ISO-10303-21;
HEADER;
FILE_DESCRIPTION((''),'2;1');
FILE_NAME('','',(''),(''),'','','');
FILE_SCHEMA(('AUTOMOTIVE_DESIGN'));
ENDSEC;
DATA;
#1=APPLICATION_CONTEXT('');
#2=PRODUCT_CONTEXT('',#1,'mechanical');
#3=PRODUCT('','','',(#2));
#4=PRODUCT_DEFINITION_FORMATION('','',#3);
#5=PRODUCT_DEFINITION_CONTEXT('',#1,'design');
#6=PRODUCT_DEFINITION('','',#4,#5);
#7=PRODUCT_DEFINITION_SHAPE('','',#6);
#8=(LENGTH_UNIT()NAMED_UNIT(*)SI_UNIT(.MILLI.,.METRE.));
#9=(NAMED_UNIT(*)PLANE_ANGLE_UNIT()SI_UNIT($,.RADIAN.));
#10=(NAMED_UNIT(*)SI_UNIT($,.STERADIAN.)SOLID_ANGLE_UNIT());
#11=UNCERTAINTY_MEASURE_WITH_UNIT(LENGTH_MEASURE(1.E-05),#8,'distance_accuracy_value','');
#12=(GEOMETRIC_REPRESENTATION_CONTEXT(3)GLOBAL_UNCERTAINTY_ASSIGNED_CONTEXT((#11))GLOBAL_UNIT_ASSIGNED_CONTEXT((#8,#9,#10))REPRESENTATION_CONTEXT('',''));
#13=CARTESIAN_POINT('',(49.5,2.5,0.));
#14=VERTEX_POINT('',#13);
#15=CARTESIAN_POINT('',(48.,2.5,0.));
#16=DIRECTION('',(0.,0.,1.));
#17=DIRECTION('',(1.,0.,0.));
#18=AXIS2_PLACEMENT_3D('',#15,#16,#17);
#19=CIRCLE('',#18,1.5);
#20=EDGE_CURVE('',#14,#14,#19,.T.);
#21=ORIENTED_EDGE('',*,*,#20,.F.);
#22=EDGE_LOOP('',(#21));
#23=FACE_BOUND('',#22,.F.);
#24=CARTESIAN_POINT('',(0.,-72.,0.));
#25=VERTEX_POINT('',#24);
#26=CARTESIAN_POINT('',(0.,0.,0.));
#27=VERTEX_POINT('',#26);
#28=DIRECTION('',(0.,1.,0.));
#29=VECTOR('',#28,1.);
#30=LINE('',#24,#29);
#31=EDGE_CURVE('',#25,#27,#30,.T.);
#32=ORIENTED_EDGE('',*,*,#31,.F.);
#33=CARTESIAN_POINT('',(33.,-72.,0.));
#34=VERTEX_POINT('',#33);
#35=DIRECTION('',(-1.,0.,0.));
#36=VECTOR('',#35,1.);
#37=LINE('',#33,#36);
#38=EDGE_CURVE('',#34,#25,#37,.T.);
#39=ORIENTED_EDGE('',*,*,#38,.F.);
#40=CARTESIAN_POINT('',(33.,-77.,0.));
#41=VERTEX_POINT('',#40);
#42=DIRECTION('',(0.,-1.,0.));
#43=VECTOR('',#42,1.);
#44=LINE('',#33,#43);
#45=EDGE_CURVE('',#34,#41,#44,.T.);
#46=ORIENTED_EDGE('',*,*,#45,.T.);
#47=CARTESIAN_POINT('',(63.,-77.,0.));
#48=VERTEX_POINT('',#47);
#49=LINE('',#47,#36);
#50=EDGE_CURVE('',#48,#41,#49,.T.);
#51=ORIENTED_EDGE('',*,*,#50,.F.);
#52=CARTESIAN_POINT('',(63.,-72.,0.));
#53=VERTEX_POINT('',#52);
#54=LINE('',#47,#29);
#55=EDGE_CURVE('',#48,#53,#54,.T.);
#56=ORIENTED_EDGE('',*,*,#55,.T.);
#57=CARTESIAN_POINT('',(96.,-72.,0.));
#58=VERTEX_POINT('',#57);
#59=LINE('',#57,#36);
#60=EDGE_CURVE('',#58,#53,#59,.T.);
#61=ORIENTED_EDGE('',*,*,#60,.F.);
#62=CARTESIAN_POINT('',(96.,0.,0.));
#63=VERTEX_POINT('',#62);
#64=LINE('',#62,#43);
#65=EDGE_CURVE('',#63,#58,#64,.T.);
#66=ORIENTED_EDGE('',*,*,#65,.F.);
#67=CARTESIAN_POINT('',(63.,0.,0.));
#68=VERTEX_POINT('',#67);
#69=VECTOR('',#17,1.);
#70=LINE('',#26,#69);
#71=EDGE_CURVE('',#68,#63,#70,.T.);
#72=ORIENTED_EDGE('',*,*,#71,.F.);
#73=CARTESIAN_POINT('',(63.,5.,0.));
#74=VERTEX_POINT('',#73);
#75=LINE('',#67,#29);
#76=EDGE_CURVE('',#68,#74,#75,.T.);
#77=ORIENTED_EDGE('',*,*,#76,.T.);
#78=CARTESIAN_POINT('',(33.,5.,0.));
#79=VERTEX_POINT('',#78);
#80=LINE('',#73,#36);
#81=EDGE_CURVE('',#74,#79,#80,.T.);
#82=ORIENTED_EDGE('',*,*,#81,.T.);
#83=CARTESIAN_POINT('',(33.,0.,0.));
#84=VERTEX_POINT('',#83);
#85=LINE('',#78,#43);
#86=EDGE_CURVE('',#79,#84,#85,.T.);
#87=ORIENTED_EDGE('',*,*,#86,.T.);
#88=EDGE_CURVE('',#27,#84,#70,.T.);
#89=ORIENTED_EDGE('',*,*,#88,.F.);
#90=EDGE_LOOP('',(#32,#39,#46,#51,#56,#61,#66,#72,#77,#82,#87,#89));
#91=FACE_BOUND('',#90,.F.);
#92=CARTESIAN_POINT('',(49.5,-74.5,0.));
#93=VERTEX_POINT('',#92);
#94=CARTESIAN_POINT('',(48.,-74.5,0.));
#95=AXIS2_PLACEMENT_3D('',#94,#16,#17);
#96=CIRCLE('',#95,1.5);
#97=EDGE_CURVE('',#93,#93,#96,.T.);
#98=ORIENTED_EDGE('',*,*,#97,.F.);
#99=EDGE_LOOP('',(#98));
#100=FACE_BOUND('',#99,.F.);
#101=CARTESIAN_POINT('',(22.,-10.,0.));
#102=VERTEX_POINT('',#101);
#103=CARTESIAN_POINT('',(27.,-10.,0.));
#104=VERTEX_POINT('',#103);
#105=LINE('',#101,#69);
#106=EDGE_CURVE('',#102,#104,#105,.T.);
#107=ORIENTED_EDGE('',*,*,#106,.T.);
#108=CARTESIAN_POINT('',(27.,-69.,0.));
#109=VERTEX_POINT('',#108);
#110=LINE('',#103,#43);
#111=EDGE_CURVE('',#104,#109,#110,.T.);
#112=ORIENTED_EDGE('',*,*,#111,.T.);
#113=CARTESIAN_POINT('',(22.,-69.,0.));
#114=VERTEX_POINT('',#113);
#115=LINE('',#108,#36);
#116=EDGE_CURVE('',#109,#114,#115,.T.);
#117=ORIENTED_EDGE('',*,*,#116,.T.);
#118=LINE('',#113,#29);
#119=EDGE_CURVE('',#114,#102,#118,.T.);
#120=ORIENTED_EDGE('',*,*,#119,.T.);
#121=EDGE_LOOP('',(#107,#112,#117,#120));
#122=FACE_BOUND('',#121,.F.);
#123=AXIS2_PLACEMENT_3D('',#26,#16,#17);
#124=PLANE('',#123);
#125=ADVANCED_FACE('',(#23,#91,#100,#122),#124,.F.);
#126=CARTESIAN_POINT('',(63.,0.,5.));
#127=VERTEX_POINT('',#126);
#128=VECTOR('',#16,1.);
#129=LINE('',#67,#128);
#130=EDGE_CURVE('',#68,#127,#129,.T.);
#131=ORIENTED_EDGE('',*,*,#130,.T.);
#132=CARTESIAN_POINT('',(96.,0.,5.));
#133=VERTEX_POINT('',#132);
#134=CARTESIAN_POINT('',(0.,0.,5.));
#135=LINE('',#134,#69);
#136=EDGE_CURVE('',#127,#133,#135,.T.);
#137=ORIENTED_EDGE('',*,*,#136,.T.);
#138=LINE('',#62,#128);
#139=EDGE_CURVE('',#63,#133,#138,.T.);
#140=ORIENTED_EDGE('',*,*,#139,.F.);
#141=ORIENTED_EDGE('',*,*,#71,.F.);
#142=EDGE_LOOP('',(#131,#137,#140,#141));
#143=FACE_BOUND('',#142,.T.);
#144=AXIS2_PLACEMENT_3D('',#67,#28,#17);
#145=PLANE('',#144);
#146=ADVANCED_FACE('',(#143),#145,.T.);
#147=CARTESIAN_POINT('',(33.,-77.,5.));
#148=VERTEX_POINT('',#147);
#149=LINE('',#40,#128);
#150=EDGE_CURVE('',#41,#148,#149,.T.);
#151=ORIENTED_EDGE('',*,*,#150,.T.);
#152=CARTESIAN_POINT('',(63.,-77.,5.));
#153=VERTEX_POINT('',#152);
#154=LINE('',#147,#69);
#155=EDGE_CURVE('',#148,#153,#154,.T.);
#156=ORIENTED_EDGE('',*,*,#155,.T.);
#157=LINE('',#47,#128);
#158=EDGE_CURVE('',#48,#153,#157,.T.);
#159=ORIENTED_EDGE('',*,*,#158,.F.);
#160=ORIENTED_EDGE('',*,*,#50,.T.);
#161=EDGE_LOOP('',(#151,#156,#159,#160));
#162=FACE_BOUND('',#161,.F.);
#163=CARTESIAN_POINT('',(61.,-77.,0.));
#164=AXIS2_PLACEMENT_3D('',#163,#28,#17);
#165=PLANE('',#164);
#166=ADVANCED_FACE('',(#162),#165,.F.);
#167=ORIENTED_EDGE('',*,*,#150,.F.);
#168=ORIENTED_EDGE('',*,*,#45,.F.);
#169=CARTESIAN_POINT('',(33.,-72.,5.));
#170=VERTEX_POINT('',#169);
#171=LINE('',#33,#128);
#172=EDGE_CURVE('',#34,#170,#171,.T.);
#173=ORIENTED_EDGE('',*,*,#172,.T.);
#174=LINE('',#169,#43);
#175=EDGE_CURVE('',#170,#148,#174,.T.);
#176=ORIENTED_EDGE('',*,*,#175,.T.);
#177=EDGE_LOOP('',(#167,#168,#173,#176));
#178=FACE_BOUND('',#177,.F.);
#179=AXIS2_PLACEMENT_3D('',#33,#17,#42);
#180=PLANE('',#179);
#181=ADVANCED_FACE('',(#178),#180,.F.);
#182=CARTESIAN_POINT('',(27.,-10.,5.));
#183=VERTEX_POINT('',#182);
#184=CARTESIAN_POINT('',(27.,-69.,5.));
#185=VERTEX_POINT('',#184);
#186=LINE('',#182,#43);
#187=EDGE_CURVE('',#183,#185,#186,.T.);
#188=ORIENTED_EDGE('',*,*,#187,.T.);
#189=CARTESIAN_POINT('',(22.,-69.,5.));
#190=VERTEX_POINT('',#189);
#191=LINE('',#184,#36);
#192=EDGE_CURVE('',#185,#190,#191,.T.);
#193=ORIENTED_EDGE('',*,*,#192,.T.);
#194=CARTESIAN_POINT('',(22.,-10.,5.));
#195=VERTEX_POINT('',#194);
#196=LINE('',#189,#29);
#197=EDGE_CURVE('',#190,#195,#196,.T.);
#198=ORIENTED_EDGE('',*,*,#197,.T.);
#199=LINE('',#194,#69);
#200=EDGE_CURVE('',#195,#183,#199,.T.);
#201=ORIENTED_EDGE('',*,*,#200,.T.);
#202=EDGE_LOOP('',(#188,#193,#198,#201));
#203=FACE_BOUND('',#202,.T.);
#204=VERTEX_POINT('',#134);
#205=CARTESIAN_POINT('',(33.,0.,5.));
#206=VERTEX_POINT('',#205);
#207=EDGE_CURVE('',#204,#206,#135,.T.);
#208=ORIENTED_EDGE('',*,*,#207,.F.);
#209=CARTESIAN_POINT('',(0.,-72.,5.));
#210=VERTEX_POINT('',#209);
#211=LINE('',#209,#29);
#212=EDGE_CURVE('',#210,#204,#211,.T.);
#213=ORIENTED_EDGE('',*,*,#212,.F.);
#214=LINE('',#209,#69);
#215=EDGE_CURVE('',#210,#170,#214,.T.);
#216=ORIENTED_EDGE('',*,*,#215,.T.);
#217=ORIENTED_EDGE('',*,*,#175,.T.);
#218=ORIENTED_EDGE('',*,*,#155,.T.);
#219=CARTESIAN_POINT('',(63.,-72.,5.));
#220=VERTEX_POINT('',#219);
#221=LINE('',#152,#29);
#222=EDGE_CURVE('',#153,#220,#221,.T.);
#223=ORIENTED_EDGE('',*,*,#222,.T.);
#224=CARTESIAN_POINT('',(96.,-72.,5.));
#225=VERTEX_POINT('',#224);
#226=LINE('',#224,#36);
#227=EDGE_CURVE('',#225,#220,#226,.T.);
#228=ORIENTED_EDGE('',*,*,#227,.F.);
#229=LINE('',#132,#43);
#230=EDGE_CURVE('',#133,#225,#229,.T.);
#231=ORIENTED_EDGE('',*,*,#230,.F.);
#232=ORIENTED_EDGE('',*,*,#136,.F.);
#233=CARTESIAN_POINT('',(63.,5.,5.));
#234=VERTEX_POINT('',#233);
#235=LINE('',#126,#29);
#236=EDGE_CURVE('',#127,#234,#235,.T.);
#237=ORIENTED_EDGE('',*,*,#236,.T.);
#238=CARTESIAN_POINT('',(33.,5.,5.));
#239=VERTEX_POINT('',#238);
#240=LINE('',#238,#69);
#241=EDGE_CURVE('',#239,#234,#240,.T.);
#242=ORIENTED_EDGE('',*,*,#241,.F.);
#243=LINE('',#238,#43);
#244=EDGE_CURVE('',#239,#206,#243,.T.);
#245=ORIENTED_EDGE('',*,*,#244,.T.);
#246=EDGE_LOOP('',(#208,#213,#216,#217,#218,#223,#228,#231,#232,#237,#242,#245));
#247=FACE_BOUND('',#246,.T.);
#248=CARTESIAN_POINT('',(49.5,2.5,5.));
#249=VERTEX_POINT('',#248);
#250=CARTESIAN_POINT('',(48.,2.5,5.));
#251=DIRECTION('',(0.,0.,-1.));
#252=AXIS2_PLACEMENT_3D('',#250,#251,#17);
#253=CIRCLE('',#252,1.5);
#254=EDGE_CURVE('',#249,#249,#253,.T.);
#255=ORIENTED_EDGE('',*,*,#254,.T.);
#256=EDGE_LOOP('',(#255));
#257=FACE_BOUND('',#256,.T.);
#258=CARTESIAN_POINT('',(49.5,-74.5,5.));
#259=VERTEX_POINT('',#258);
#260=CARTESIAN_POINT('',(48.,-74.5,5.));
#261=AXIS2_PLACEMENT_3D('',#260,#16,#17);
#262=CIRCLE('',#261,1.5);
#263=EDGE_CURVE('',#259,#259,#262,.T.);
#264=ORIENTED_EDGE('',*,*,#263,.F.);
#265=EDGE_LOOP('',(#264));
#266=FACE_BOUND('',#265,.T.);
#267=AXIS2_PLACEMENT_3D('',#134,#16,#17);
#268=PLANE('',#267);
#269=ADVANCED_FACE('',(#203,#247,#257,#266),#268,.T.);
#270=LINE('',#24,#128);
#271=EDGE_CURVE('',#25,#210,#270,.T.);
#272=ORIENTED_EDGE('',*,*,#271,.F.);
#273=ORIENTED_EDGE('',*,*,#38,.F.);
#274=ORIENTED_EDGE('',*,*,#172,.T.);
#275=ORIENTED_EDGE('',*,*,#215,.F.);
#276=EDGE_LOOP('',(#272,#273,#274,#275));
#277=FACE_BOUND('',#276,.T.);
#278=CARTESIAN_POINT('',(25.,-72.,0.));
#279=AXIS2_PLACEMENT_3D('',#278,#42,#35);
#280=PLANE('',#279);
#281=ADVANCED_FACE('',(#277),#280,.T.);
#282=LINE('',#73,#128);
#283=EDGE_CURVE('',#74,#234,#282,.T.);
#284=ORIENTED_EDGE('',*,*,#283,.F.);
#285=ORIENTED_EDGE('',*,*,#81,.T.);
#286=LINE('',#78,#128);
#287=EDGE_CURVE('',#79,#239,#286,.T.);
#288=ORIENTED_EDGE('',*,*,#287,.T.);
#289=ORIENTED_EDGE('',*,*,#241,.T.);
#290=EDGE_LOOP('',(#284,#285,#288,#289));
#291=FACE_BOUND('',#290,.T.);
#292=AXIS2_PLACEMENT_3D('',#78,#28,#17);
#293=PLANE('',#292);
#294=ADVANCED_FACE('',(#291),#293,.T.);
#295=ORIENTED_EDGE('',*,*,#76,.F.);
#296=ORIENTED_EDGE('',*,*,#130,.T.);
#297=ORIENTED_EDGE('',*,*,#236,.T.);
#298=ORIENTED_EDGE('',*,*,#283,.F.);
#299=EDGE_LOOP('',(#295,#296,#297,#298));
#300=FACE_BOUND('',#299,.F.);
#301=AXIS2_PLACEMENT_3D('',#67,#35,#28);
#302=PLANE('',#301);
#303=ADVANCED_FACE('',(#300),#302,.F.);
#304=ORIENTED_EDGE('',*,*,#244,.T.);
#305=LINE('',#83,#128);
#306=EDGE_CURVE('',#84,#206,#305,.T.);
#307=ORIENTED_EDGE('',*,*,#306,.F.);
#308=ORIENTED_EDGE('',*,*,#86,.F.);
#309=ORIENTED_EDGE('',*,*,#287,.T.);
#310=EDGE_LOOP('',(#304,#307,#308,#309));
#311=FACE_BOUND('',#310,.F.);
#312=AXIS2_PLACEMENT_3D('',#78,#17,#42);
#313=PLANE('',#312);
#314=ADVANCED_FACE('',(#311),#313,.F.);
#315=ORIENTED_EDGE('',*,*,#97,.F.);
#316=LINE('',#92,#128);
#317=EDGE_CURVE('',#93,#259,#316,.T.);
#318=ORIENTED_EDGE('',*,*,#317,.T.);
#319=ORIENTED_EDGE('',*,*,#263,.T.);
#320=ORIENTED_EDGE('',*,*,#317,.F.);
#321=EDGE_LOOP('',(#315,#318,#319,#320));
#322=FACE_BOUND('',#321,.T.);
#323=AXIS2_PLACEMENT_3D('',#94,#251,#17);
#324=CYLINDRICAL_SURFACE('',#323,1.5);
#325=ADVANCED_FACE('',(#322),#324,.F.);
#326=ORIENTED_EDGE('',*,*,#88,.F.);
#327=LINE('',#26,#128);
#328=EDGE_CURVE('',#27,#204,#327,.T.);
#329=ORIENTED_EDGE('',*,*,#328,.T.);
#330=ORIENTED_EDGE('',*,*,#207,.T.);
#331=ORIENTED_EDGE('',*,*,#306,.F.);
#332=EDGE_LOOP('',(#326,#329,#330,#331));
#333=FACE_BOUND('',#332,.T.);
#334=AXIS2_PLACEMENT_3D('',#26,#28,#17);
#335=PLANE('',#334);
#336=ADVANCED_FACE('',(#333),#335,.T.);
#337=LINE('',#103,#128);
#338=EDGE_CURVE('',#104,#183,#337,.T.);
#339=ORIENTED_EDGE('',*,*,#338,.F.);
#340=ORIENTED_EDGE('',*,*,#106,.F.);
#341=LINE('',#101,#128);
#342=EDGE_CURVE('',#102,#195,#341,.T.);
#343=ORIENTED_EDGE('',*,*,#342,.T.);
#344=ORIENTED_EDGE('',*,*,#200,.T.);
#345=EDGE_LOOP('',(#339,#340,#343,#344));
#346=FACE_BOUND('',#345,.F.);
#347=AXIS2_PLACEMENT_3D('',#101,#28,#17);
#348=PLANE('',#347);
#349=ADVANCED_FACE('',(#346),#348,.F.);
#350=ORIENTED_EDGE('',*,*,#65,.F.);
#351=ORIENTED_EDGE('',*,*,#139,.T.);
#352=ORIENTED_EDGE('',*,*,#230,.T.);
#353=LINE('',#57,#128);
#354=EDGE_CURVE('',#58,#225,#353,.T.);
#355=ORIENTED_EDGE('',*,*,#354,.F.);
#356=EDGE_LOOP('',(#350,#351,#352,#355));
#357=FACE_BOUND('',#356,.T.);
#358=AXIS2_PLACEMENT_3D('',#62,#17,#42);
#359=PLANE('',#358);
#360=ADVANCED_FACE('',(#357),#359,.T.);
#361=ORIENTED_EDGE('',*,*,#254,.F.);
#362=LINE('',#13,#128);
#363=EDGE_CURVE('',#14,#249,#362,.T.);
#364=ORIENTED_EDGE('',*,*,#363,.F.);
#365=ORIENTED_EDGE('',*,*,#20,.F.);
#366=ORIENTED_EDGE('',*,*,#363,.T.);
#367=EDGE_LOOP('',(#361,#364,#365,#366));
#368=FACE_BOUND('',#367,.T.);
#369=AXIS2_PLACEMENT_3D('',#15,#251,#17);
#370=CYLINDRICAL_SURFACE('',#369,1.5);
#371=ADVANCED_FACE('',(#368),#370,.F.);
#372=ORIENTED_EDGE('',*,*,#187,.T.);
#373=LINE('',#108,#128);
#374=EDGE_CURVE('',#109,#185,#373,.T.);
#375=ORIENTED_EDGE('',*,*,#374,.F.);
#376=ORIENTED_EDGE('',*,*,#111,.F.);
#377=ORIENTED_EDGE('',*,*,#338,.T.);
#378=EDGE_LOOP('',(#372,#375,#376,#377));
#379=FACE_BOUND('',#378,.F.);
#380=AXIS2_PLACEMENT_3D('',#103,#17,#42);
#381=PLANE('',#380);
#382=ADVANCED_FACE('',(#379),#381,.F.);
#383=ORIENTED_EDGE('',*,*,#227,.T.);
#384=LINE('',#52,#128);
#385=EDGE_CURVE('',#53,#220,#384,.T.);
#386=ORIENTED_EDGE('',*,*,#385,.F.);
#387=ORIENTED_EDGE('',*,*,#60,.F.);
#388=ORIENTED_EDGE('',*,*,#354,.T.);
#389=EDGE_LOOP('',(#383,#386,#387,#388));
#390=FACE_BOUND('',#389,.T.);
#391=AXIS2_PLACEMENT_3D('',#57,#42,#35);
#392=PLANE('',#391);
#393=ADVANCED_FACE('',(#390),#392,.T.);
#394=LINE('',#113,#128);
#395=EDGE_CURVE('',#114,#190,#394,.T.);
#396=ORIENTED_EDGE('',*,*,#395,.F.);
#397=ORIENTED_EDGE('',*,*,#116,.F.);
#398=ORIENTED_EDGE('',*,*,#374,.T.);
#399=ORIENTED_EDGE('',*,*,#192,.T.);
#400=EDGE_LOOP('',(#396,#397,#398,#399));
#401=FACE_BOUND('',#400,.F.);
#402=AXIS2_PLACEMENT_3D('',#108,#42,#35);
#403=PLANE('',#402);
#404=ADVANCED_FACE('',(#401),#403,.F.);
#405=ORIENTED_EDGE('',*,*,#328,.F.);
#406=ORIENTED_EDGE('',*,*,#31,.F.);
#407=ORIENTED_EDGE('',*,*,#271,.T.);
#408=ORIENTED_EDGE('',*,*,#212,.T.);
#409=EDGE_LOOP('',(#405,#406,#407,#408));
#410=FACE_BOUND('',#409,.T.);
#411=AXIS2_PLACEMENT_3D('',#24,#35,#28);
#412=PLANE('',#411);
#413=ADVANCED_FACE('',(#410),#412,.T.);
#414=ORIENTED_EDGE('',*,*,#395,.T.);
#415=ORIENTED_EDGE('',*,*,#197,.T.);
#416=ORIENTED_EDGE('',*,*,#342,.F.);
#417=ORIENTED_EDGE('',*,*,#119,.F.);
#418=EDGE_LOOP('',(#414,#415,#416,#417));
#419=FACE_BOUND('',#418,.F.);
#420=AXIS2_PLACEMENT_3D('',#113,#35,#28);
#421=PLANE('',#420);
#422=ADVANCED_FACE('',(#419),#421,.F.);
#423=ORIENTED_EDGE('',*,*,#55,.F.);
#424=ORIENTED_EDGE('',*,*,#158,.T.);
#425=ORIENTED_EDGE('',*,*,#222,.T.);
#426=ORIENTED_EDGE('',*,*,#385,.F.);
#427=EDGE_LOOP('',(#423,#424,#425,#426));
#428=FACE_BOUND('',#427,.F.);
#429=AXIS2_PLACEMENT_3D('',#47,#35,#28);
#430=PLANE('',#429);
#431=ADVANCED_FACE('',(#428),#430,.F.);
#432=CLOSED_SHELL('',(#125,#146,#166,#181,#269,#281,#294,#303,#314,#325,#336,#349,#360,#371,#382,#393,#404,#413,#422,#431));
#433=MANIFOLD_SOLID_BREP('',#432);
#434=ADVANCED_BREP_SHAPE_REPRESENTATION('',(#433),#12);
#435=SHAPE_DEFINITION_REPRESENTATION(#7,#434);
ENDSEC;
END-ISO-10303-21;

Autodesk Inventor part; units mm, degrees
ref_plane "YZ Plane" through (0, 0, 0) normal (1, 0, 0) x (0, 1, 0)
ref_plane "XZ Plane" through (0, 0, 0) normal (0, 1, 0) x (-1, 0, 0)
ref_plane "XY Plane" through (0, 0, 0) normal (0, 0, 1) x (1, 0, 0)
sketch "草图1" plane through (0, 0, 0) normal (0, 0, 1) x (1, 0, 0)
  line L0 (33, 0) -> (46.5, 0) projected
  line L1 (33, 5) -> (46.5, 5) projected
  line L2 (25, -72) -> (33, -72) projected
  line L3 (0, 0) -> (96, 0)
  line L4 (96, 0) -> (96, -72)
  line L5 (96, -72) -> (0, -72)
  line L6 (0, -72) -> (0, 0)
  line L7 (27, -69) -> (22, -69)
  line L8 (22, -69) -> (22, -10)
  line L9 (22, -10) -> (27, -10)
  line L10 (27, -10) -> (27, -69)
  line L11 (48, -81.8349) -> (48, 25.2825) construction
  line L12 (33, 0) -> (63, 0)
  line L13 (63, 0) -> (63, 5)
  line L14 (63, 5) -> (33, 5)
  line L15 (33, 5) -> (33, 0)
  line L16 (33, 0) -> (63, 5) construction
  line L17 (63, 0) -> (33, 5) construction
  line L18 (46, -77) -> (61, -77) projected
  line L19 (63, -72) -> (33, -72)
  line L20 (33, -72) -> (33, -77)
  line L21 (33, -77) -> (63, -77)
  line L22 (63, -77) -> (63, -72)
  circle A0 centre (48, 2.5) radius 1.5
  circle A1 centre (48, -74.5) radius 1.5
  line L23 (33, 5) -> (33, 0) projected
  line L24 (46.5, 0) -> (46.5, 5) projected
  dimension "d0" = 3
  dimension "d1" = 10
  dimension "d2" = 59
  dimension "d3" = 5
  dimension "d4" = 22
  dimension "d6" = 3
  dimension "d7" = 3
extrude "拉伸1" add sketch "草图1" along normal blind 5
properties part number "face"
